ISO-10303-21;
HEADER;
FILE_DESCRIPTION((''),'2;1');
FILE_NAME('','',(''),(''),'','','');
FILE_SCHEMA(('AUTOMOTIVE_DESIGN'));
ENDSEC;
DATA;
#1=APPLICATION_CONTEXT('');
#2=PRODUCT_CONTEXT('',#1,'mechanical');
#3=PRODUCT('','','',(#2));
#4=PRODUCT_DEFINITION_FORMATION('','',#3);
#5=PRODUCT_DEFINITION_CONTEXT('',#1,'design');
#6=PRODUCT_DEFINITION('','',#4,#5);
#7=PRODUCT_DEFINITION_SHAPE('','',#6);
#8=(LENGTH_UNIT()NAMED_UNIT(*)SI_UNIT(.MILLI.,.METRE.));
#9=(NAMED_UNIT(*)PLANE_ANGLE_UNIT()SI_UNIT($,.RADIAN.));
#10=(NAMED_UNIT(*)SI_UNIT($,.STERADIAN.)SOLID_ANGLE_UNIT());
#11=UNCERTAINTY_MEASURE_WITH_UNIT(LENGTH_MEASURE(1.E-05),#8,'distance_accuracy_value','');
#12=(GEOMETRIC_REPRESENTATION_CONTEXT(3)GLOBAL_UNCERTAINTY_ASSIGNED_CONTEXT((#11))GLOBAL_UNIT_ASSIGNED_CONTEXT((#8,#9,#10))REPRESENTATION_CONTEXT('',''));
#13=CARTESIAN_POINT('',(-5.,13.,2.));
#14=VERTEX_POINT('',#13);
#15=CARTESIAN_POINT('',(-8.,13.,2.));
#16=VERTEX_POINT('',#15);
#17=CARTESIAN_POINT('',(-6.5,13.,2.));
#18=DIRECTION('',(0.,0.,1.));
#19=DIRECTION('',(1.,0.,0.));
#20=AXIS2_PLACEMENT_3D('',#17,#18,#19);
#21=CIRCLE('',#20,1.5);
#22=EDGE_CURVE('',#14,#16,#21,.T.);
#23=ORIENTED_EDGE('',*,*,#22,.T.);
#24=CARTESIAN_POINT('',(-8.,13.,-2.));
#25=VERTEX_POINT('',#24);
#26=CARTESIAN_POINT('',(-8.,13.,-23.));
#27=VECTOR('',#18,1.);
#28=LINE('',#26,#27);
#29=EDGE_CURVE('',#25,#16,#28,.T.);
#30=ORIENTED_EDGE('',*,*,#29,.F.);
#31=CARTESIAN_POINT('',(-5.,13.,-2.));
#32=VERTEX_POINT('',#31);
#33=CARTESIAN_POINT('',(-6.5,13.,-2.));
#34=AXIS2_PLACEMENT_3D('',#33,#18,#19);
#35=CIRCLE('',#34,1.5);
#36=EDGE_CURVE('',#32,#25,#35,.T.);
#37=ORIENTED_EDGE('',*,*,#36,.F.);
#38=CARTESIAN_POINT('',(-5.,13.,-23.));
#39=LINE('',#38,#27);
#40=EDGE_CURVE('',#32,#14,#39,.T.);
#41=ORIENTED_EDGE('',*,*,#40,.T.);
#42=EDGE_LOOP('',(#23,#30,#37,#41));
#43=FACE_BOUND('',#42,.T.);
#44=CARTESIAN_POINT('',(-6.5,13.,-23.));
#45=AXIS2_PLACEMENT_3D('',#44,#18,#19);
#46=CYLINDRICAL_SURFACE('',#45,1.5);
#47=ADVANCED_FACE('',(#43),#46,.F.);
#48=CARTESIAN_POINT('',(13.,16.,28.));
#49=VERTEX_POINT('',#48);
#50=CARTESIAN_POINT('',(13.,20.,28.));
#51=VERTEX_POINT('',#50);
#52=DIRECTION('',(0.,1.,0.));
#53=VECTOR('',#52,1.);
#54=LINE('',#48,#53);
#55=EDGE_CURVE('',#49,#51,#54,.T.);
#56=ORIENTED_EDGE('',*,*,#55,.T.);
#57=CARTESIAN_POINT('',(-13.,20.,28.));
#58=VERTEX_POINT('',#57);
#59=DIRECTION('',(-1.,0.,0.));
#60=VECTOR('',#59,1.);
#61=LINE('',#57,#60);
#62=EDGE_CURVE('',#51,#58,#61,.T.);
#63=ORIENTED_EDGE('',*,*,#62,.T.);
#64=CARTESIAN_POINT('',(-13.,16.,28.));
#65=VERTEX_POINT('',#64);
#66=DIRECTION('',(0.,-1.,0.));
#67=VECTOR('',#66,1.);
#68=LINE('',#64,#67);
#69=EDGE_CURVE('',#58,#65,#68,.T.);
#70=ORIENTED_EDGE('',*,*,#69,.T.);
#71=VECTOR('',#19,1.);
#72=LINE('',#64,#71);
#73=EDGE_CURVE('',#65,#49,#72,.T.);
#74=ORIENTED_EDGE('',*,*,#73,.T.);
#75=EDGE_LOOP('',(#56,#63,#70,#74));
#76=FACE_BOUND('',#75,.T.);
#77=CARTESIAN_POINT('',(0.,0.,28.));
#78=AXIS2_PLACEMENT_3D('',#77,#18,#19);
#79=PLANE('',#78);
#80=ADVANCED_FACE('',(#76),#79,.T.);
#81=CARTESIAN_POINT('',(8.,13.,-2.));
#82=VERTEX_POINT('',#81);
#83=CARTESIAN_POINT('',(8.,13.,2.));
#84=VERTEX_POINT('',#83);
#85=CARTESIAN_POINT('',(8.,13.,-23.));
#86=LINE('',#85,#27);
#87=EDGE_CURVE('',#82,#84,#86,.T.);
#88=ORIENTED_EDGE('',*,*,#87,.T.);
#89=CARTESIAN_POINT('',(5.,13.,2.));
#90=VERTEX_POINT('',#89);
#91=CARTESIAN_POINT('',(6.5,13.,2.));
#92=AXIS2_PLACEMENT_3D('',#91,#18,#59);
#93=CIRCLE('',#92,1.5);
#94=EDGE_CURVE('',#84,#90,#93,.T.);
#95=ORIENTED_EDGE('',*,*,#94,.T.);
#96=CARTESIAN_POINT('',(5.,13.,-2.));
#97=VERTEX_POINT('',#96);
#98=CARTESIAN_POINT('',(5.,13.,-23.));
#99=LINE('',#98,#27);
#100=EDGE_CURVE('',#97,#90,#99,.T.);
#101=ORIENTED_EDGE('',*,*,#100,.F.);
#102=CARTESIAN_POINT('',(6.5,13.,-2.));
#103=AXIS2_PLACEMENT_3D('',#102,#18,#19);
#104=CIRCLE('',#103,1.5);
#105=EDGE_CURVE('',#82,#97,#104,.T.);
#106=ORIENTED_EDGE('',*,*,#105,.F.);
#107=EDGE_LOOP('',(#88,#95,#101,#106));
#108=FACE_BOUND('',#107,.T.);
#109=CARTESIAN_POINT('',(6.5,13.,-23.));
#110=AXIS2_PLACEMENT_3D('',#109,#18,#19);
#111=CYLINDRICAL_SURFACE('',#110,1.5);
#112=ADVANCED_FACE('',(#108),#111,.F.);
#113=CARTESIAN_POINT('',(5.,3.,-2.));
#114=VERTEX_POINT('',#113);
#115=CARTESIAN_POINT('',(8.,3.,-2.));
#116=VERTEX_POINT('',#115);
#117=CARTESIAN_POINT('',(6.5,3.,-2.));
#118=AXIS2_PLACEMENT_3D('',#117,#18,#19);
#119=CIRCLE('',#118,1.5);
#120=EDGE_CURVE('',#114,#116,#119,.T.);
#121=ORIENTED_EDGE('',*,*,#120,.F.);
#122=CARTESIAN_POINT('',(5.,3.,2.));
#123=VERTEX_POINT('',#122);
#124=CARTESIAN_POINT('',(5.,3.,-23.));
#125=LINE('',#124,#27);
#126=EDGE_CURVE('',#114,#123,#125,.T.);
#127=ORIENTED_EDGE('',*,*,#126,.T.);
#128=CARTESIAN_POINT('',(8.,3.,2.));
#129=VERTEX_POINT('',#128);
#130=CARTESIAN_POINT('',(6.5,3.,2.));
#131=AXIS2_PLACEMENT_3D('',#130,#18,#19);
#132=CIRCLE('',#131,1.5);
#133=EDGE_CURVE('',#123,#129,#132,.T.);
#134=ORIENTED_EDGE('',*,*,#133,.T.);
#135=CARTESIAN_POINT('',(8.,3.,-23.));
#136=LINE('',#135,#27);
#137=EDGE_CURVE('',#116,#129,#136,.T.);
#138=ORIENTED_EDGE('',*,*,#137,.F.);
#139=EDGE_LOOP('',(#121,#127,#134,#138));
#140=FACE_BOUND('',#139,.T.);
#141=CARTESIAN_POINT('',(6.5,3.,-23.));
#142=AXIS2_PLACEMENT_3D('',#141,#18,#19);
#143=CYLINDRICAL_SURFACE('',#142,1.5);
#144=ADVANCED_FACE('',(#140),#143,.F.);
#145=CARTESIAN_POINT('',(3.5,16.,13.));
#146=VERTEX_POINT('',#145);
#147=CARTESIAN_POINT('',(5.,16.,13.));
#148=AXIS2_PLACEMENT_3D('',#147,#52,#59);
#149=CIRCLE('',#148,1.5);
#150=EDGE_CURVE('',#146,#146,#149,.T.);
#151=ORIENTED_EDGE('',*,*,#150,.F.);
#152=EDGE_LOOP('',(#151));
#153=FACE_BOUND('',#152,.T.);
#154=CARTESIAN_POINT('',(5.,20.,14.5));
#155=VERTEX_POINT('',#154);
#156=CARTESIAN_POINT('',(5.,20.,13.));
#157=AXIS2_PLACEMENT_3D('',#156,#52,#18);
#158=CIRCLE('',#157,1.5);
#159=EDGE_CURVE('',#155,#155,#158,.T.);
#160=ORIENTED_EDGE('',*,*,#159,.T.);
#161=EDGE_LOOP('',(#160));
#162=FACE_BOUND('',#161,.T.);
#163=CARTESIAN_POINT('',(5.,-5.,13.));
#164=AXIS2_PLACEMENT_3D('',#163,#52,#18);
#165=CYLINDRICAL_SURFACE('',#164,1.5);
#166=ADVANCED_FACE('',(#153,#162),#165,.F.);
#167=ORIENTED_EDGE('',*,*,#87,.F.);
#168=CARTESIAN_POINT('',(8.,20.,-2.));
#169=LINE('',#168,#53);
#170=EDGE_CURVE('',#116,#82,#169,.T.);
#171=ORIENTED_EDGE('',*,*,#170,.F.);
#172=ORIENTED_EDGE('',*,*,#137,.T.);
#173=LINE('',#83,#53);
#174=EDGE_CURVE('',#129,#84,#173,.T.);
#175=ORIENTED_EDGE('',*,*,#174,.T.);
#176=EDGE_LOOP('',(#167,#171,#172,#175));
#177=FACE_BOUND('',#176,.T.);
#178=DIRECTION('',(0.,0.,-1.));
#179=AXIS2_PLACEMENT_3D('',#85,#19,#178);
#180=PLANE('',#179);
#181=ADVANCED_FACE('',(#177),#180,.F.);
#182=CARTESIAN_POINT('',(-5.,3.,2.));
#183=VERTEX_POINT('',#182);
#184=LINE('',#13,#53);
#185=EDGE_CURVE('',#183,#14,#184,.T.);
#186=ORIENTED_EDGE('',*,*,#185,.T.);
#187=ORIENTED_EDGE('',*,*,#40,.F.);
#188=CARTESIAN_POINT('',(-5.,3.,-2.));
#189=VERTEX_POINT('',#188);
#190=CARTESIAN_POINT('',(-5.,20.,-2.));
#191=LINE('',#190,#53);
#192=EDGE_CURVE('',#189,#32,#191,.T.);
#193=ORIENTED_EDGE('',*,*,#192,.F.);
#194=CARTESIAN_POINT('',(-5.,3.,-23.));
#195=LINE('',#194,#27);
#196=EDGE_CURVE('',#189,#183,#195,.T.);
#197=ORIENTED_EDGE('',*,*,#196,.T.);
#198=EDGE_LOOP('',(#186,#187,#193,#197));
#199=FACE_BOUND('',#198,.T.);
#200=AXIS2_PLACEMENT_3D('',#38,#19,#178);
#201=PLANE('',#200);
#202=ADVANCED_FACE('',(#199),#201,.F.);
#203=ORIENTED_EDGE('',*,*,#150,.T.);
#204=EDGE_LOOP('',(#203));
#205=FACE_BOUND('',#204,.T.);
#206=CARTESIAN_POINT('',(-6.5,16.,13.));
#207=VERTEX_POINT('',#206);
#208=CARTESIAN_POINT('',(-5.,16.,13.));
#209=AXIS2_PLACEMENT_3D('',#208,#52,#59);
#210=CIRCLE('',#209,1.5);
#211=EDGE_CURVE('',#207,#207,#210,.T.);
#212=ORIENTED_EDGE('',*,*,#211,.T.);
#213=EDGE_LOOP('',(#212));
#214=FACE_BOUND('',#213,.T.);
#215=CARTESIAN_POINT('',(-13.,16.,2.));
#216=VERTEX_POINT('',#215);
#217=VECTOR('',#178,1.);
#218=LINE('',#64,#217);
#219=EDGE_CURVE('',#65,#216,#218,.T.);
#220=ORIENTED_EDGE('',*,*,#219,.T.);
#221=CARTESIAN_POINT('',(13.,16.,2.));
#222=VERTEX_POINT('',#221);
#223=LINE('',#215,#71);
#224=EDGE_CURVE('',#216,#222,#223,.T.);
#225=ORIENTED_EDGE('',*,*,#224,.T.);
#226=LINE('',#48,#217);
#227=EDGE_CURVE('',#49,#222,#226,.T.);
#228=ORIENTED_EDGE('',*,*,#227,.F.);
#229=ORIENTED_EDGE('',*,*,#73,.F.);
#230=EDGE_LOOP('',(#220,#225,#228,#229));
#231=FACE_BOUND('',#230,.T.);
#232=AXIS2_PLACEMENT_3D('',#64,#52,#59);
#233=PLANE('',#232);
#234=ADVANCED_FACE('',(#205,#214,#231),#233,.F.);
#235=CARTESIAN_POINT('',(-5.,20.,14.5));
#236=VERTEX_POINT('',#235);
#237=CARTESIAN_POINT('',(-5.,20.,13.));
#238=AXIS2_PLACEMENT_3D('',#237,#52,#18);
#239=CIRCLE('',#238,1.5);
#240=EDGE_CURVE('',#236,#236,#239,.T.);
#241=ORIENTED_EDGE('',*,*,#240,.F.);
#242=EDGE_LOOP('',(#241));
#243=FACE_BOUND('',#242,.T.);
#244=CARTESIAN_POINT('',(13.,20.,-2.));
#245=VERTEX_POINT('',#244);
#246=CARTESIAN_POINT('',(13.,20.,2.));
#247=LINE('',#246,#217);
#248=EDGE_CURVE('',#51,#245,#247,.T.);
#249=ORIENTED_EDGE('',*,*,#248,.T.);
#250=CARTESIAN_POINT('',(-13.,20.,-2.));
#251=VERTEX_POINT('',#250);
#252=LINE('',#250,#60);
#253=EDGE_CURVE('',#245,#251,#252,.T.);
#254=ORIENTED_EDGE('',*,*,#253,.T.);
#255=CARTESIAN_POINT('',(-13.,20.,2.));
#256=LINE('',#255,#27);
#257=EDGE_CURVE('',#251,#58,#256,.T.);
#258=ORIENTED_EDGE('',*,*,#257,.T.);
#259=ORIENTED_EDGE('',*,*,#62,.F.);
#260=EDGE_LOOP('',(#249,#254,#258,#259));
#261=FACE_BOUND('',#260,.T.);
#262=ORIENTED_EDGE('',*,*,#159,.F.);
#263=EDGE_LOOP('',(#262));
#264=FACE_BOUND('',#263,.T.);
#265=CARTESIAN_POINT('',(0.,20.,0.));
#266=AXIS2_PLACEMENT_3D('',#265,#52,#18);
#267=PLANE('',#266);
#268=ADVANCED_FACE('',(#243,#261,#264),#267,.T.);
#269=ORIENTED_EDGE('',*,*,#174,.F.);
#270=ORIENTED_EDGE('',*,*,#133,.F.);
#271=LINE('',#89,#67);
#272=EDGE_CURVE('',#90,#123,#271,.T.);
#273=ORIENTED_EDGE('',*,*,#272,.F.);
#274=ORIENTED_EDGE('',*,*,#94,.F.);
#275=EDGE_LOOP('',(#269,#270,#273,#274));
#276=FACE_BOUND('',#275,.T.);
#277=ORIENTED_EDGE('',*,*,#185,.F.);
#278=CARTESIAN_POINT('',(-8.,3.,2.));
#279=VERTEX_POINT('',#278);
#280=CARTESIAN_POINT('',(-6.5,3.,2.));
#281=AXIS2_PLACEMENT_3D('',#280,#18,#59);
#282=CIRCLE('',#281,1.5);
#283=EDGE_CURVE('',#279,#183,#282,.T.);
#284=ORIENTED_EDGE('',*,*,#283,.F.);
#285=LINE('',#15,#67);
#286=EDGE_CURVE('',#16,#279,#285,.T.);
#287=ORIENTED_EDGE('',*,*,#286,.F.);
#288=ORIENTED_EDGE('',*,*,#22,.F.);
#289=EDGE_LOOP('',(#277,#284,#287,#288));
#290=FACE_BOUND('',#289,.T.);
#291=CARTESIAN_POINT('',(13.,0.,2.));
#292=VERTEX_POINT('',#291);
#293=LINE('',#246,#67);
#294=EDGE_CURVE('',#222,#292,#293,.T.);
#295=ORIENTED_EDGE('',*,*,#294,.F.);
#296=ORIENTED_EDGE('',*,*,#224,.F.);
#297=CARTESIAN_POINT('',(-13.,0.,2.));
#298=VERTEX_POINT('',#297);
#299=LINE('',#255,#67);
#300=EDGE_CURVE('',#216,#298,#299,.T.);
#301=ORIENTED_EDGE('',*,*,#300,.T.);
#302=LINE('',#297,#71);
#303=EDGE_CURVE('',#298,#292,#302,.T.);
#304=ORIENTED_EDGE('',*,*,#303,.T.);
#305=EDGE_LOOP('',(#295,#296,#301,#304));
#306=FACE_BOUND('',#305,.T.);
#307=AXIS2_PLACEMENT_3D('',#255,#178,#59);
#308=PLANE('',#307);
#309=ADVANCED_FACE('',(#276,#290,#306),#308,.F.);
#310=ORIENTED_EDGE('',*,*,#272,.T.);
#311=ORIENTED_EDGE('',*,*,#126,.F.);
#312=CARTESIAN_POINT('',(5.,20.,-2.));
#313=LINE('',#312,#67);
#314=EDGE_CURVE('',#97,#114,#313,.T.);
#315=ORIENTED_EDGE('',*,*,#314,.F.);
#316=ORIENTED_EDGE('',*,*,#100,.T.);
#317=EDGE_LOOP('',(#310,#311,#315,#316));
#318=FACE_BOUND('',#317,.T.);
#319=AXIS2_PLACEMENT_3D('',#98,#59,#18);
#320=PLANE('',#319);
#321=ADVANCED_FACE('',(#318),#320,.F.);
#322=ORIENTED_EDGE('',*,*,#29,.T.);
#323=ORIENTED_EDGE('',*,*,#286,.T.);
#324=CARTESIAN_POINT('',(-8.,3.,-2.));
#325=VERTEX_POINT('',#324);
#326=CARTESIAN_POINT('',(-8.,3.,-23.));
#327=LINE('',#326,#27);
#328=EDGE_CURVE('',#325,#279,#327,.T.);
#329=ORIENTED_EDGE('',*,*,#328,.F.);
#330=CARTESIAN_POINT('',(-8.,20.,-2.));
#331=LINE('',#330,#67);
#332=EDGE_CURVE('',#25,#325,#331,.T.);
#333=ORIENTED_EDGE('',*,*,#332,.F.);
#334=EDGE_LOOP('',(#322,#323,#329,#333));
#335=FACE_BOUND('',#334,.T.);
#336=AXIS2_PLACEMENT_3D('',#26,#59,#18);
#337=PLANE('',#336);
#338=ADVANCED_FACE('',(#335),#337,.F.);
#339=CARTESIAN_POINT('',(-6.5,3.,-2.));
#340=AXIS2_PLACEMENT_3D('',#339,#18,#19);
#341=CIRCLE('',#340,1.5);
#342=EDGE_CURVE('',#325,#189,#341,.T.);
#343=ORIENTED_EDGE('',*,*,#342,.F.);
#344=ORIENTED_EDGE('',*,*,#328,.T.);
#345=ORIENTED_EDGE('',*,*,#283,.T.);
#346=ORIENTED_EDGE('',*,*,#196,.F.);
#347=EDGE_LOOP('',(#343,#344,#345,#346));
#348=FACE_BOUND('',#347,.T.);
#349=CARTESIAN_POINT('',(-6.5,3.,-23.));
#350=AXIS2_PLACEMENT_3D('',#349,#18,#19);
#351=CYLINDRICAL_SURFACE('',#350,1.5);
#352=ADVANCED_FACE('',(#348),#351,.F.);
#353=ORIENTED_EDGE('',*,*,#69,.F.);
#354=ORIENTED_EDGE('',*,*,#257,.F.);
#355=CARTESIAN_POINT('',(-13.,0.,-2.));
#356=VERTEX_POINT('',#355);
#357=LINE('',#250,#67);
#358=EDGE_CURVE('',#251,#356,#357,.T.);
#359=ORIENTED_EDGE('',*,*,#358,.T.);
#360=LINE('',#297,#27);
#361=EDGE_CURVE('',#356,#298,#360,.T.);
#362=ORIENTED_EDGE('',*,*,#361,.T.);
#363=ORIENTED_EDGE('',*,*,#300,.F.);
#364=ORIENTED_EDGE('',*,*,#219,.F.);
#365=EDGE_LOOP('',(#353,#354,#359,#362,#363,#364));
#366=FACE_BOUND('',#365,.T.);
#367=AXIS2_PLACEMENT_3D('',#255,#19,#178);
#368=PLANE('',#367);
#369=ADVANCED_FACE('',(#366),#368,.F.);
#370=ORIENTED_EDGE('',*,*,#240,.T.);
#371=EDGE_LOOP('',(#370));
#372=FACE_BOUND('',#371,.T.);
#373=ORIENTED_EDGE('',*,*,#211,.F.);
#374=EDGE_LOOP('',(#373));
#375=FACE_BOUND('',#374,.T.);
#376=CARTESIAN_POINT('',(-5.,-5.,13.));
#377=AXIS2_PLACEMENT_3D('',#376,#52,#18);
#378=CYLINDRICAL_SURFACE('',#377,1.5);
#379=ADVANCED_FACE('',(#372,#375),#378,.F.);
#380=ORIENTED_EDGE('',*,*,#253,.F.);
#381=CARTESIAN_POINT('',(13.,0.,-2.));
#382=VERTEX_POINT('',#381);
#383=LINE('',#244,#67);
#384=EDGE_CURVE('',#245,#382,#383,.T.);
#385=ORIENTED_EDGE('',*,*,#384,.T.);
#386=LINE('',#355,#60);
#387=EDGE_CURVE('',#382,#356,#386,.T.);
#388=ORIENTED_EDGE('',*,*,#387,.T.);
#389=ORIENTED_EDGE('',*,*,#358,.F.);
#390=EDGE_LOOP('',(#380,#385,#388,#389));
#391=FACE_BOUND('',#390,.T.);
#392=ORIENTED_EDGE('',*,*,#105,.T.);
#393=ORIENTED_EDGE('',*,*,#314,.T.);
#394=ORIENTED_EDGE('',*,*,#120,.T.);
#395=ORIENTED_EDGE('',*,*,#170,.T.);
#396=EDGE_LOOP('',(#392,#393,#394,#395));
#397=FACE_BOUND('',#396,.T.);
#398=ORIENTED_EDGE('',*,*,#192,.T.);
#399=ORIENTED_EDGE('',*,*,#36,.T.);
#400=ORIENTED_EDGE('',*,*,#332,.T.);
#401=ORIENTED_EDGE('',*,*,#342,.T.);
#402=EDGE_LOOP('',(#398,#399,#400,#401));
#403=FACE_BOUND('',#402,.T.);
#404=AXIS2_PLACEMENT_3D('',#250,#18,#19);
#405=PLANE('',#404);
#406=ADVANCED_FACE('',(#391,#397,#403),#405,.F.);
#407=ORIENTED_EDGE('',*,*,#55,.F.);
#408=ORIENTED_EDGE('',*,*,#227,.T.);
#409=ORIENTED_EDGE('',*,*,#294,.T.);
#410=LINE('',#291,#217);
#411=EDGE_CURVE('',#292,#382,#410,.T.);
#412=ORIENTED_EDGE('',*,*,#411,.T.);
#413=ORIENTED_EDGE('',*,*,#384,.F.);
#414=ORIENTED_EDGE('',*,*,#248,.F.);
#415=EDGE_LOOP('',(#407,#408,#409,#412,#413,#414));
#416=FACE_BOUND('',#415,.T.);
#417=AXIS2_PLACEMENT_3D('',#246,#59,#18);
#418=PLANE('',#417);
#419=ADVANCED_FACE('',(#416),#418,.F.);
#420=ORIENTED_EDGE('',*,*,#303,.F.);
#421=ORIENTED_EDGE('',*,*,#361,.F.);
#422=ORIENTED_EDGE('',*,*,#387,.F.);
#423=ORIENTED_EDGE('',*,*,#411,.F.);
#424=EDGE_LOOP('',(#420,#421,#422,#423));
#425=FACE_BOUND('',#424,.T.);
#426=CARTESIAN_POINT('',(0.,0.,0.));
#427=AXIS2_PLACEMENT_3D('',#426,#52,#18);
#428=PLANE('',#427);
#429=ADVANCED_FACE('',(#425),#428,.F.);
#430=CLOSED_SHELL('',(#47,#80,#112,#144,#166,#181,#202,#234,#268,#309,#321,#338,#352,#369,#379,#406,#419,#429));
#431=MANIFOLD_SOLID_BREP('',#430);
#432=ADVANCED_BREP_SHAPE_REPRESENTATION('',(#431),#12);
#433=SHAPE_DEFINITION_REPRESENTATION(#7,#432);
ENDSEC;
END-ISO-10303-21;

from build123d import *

# Parameters (mm, degrees)
CROQUIS1_W              = 26
CROQUIS1_H              = 4
SALIENTE_EXTRUIR1_DEPTH = 20
CROQUIS2_W              = 26
CROQUIS2_H              = 4
SALIENTE_EXTRUIR2_DEPTH = 26
CROQUIS3_R              = 1.5
CORTAR_EXTRUIR1_DEPTH   = 25
CORTAR_EXTRUIR2_DEPTH   = 25


with BuildPart() as part:
    # Croquis1 → Saliente-Extruir1 (new body)
    with BuildSketch(Plane(origin=(0, 0, 0), x_dir=(1, 0, 0), z_dir=(0, 1, 0))):
        Rectangle(CROQUIS1_W, CROQUIS1_H)
    extrude(amount=SALIENTE_EXTRUIR1_DEPTH)

    # Croquis2 → Saliente-Extruir2 (add)
    with BuildSketch(Plane.XY.offset(2)):
        with Locations((0, 18)):
            Rectangle(CROQUIS2_W, CROQUIS2_H)
    extrude(amount=SALIENTE_EXTRUIR2_DEPTH)

    # Croquis3 → Cortar-Extruir1 (cut)
    with BuildSketch(Plane(origin=(0, 20, 0), x_dir=(1, 0, 0), z_dir=(0, 1, 0))):
        with Locations((-5, -13)):
            Circle(CROQUIS3_R)
        with Locations((5, -13)):
            Circle(CROQUIS3_R)
    extrude(amount=-CORTAR_EXTRUIR1_DEPTH, mode=Mode.SUBTRACT)

    # Croquis4 → Cortar-Extruir2 (cut)
    with BuildSketch(Plane.XY.offset(2)):
        with BuildLine():
            Line((-8, 13), (-8, 3))
            ThreePointArc((-8, 3), (-6.5, 1.5), (-5, 3))
            Line((-5, 3), (-5, 13))
            ThreePointArc((-5, 13), (-6.5, 14.5), (-8, 13))
        make_face()
        with BuildLine():
            Line((5, 13), (5, 3))
            ThreePointArc((5, 3), (6.5, 1.5), (8, 3))
            Line((8, 3), (8, 13))
            ThreePointArc((8, 13), (6.5, 14.5), (5, 13))
        make_face()
    extrude(amount=-CORTAR_EXTRUIR2_DEPTH, mode=Mode.SUBTRACT)


solid = part.part
